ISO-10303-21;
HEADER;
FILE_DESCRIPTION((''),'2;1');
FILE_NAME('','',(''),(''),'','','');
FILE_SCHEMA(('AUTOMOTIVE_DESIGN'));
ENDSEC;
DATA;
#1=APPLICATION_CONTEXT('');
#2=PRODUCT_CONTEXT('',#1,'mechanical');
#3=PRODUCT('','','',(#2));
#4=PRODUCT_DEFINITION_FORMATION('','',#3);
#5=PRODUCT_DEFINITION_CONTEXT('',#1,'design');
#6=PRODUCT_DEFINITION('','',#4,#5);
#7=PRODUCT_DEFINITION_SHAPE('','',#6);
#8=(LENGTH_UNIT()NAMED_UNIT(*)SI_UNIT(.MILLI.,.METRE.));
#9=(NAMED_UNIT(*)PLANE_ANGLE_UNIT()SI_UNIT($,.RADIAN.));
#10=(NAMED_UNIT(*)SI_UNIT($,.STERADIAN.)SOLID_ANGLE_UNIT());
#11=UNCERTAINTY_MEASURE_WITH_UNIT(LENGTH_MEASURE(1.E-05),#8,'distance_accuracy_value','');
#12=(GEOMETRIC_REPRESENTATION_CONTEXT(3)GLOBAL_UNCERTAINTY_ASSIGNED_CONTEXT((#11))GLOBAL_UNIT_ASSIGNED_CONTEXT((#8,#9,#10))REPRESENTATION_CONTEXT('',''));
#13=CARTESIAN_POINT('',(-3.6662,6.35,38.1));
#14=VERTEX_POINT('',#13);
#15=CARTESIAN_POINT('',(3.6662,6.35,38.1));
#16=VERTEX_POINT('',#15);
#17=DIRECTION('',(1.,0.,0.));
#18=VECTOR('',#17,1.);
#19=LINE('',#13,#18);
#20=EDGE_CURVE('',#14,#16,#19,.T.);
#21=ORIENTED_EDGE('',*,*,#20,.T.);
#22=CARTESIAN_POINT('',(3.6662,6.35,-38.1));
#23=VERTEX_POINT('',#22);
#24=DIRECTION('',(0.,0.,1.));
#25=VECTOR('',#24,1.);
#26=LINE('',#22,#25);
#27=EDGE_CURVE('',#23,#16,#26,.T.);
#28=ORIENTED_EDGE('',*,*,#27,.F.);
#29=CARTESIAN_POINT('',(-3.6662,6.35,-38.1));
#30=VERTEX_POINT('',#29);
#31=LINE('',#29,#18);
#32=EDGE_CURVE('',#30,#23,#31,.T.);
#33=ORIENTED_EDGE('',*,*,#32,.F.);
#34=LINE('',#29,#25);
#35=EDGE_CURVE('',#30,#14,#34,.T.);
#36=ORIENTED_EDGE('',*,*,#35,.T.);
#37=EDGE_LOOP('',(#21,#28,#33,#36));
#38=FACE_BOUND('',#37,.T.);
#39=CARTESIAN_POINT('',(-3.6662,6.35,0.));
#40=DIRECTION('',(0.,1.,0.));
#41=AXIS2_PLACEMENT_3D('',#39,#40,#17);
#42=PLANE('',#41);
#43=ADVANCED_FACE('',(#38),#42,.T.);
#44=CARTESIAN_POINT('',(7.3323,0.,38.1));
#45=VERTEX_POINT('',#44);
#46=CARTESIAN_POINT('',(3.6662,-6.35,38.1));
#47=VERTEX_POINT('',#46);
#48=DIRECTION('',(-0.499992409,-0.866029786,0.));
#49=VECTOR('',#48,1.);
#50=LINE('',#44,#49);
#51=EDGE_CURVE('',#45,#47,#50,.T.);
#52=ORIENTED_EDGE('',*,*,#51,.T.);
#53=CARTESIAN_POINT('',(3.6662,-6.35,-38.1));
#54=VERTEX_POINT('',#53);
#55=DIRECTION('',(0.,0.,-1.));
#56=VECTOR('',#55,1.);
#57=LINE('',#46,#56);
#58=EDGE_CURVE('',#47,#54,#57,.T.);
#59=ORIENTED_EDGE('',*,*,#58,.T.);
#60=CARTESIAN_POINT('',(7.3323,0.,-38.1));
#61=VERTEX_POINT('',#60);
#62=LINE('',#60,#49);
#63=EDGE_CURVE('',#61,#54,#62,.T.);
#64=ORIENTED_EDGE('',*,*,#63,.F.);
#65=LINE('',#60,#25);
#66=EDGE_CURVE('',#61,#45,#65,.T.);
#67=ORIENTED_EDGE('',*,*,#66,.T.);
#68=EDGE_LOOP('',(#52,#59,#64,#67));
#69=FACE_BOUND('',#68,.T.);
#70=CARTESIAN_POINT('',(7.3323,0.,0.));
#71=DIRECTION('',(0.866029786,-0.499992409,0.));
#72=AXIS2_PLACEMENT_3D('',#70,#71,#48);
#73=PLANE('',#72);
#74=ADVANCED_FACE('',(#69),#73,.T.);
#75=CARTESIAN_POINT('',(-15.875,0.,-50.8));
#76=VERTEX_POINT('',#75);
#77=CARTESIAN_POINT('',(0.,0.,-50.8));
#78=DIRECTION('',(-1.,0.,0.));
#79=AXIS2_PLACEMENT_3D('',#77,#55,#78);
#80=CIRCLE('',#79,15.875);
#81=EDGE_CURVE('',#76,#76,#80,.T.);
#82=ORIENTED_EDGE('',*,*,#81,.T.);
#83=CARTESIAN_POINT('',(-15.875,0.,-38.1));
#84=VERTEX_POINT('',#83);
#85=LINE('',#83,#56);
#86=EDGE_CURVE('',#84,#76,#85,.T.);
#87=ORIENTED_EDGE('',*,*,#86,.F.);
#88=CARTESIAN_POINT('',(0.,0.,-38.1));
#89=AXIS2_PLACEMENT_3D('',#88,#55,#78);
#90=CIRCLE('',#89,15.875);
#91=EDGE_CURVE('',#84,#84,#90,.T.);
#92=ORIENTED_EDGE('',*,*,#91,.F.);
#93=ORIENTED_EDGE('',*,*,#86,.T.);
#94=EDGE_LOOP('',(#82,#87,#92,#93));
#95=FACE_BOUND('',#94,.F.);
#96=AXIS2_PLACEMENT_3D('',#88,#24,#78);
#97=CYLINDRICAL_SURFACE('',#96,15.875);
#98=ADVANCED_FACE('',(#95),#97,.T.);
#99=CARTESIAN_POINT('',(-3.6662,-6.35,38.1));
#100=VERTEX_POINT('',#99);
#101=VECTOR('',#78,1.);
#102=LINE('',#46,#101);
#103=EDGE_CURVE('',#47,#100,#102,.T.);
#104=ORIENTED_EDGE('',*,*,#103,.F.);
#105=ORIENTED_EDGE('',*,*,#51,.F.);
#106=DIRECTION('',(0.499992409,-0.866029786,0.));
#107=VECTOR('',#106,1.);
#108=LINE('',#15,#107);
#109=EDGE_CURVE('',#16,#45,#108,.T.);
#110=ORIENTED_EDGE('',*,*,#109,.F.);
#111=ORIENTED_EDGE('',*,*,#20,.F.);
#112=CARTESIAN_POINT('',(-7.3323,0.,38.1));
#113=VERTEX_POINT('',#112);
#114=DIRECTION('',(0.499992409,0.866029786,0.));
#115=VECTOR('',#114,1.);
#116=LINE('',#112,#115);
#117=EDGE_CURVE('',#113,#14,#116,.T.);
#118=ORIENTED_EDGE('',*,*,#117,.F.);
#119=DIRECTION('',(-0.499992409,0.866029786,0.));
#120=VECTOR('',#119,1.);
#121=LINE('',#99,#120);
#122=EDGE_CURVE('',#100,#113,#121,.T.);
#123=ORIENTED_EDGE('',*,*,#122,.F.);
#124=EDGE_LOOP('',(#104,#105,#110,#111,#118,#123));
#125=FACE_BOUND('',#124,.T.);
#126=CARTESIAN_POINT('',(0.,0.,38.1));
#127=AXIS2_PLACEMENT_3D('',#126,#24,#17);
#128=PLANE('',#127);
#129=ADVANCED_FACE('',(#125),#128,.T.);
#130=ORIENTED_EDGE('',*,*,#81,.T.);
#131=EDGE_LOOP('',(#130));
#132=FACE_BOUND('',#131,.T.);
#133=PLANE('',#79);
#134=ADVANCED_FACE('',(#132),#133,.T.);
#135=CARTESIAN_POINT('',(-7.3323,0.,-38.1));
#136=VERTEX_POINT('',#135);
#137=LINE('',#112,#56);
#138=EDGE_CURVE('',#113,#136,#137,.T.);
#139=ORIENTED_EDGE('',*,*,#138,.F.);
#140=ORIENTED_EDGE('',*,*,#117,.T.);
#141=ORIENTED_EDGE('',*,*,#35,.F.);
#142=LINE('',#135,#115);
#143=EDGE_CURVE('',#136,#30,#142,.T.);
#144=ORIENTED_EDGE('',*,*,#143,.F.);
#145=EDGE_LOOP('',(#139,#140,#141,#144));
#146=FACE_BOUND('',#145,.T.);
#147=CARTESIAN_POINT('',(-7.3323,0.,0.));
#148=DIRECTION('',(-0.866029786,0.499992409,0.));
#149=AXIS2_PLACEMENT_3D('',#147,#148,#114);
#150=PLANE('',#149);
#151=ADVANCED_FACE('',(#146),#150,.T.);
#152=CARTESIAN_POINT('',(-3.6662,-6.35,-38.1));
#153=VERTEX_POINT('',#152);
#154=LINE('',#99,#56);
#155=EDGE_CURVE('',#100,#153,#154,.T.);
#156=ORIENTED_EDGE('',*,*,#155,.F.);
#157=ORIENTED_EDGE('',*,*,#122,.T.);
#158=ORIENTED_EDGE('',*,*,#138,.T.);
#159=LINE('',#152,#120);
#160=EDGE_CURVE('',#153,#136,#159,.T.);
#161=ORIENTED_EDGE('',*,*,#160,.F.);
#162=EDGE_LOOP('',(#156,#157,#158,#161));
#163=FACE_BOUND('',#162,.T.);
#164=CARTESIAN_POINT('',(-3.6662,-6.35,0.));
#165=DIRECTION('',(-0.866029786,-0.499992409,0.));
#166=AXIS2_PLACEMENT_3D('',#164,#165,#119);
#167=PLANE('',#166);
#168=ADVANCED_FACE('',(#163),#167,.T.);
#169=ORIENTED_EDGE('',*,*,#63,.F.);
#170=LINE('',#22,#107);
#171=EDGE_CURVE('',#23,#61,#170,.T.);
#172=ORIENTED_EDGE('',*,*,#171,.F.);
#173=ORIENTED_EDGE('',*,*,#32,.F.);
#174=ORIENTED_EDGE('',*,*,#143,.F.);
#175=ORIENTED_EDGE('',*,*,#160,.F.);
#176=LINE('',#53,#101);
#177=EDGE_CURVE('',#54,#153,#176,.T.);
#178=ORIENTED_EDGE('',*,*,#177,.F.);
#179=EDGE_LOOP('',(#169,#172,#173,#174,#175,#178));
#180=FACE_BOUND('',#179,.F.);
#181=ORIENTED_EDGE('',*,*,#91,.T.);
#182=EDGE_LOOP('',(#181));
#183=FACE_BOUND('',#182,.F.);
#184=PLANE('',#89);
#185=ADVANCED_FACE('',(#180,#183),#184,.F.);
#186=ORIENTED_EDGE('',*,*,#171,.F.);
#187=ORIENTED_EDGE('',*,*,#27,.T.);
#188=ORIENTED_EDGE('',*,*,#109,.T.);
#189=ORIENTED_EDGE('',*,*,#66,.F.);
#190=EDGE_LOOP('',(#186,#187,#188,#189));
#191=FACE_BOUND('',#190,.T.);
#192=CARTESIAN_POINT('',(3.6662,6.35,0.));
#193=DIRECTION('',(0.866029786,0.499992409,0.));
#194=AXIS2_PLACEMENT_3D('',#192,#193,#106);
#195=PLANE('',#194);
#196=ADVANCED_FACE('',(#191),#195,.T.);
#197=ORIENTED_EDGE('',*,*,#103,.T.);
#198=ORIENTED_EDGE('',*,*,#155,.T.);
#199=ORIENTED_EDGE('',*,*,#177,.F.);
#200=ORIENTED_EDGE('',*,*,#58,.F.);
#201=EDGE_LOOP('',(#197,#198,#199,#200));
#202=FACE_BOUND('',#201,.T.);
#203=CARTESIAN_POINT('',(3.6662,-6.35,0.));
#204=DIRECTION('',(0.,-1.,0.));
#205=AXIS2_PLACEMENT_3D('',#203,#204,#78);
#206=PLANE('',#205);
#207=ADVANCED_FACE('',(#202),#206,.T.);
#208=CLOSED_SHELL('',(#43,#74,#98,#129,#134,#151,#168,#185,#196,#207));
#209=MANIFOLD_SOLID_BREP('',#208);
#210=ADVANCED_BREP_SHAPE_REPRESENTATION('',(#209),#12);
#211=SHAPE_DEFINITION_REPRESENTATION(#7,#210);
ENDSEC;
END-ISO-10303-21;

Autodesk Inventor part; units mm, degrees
ref_plane "YZ Plane" through (0, 0, 0) normal (1, 0, 0) x (0, 1, 0)
ref_plane "XZ Plane" through (0, 0, 0) normal (0, 1, 0) x (-1, 0, 0)
ref_plane "XY Plane" through (0, 0, 0) normal (0, 0, 1) x (1, 0, 0)
sketch "Sketch1" plane through (0, 0, 0) normal (0, 0, 1) x (1, 0, 0)
  line L0 (7.3323, 0) -> (3.6662, -6.35)
  line L1 (3.6662, -6.35) -> (-3.6662, -6.35)
  line L2 (-3.6662, -6.35) -> (-7.3323, 0)
  line L3 (-7.3323, 0) -> (-3.6662, 6.35)
  line L4 (-3.6662, 6.35) -> (3.6662, 6.35)
  line L5 (3.6662, 6.35) -> (7.3323, 0)
  point P0 (0, 0)
  point P1 (0, 0)
  dimension "d0" = 12.7
extrude "Extrusion1" add sketch "Sketch1" along normal mid plane 76.2
sketch "Sketch2" plane through (0, 0, -38.1) normal (0, 0, -1) x (-1, 0, 0)
  circle A0 centre (0, 0) radius 15.875
  dimension "d3" = 31.75
extrude "Extrusion2" add sketch "Sketch2" along normal blind 12.7
equation "\"d0\" = printedHexSize"
equation "\"d1\" = length"
equation "\"hexSize\" = 12.7"
equation "\"slipFitOffset\" = 0"
equation "\"printedHexSize\" = hexSize - slipFitOffset"
equation "\"length\" = 76.2"
properties part number "1_2-inchHexX1_2x1_2Bushingt" material "PC/ABS Plastic"
